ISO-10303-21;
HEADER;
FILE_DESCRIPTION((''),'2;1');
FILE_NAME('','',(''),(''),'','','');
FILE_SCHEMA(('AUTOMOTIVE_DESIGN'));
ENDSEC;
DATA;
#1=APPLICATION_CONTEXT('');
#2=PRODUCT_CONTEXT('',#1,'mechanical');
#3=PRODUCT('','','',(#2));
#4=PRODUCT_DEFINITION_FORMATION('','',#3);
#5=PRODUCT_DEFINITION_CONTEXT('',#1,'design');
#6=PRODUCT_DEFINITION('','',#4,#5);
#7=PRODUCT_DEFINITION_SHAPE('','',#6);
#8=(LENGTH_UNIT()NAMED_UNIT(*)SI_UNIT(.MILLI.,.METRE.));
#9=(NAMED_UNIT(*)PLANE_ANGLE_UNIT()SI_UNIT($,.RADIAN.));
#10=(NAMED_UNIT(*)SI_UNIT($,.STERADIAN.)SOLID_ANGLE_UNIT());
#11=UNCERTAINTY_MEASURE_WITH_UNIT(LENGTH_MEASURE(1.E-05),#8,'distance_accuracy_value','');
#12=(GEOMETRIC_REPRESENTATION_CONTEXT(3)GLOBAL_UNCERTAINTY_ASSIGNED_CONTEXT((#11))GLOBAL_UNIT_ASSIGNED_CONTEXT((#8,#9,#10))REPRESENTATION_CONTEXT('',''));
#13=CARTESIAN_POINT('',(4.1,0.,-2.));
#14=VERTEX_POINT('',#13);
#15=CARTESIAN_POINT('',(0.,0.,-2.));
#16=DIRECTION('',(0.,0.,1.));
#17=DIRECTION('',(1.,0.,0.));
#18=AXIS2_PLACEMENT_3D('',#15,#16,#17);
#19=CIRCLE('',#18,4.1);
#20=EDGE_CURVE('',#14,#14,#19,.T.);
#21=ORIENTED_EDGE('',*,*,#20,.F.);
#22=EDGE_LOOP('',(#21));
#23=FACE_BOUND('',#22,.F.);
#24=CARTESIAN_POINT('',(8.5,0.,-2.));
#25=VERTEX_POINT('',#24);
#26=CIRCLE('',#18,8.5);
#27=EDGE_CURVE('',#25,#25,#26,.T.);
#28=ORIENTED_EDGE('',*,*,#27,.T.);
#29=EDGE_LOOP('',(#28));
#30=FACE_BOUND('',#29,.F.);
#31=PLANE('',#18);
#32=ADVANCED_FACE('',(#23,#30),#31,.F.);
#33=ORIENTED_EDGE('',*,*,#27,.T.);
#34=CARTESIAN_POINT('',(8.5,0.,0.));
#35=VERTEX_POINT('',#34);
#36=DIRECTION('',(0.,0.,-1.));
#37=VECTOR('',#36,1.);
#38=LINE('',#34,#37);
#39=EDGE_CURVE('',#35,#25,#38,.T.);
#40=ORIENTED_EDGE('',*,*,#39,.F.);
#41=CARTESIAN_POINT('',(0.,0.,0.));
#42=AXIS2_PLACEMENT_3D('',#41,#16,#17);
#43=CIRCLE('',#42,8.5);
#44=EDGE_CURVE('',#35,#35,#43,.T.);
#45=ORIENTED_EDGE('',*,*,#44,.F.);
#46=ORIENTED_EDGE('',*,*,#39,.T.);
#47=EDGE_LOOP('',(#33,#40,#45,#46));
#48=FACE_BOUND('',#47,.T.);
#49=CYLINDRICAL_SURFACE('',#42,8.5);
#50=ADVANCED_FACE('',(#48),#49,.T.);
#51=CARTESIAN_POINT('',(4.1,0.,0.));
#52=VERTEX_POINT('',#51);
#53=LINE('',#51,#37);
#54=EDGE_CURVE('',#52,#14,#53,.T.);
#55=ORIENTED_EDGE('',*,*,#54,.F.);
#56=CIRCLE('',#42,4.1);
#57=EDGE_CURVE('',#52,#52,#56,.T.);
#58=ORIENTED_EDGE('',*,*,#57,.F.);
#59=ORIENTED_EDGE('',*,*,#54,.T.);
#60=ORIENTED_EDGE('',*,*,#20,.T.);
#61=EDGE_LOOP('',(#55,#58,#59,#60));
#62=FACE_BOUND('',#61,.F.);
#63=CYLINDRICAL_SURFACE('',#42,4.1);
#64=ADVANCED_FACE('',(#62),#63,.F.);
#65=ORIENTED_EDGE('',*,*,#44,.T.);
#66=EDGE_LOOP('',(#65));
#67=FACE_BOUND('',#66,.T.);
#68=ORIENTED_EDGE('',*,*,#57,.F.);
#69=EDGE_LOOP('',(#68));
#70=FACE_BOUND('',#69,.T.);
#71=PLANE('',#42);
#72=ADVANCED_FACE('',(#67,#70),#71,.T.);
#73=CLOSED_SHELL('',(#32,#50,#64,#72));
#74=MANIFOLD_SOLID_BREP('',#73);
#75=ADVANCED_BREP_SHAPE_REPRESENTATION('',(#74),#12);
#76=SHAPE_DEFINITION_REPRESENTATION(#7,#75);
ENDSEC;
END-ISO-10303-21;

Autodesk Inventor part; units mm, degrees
sketch "Sketch_2" plane through (0, 0, 0) normal (0, 0, 1) x (1, 0, 0)
  circle A0 centre (0, 0) radius 8.5
  circle A1 centre (0, 0) radius 4.1
extrude "Extrusion1" add sketch "Sketch_2" against normal blind 2
ref_plane "washer_to_bolt_XY" through (0, 0, 0) normal (0, 0, 1) x (1, 0, 0)
ref_plane "washer_to_bolt_YZ" through (0, 0, 0) normal (1, 0, 0) x (0, 1, 0)
ref_plane "washer_to_bolt_ZX" through (0, 0, 0) normal (0, 1, 0) x (0, 0, 1)
properties part number "HCBST8washer2"
